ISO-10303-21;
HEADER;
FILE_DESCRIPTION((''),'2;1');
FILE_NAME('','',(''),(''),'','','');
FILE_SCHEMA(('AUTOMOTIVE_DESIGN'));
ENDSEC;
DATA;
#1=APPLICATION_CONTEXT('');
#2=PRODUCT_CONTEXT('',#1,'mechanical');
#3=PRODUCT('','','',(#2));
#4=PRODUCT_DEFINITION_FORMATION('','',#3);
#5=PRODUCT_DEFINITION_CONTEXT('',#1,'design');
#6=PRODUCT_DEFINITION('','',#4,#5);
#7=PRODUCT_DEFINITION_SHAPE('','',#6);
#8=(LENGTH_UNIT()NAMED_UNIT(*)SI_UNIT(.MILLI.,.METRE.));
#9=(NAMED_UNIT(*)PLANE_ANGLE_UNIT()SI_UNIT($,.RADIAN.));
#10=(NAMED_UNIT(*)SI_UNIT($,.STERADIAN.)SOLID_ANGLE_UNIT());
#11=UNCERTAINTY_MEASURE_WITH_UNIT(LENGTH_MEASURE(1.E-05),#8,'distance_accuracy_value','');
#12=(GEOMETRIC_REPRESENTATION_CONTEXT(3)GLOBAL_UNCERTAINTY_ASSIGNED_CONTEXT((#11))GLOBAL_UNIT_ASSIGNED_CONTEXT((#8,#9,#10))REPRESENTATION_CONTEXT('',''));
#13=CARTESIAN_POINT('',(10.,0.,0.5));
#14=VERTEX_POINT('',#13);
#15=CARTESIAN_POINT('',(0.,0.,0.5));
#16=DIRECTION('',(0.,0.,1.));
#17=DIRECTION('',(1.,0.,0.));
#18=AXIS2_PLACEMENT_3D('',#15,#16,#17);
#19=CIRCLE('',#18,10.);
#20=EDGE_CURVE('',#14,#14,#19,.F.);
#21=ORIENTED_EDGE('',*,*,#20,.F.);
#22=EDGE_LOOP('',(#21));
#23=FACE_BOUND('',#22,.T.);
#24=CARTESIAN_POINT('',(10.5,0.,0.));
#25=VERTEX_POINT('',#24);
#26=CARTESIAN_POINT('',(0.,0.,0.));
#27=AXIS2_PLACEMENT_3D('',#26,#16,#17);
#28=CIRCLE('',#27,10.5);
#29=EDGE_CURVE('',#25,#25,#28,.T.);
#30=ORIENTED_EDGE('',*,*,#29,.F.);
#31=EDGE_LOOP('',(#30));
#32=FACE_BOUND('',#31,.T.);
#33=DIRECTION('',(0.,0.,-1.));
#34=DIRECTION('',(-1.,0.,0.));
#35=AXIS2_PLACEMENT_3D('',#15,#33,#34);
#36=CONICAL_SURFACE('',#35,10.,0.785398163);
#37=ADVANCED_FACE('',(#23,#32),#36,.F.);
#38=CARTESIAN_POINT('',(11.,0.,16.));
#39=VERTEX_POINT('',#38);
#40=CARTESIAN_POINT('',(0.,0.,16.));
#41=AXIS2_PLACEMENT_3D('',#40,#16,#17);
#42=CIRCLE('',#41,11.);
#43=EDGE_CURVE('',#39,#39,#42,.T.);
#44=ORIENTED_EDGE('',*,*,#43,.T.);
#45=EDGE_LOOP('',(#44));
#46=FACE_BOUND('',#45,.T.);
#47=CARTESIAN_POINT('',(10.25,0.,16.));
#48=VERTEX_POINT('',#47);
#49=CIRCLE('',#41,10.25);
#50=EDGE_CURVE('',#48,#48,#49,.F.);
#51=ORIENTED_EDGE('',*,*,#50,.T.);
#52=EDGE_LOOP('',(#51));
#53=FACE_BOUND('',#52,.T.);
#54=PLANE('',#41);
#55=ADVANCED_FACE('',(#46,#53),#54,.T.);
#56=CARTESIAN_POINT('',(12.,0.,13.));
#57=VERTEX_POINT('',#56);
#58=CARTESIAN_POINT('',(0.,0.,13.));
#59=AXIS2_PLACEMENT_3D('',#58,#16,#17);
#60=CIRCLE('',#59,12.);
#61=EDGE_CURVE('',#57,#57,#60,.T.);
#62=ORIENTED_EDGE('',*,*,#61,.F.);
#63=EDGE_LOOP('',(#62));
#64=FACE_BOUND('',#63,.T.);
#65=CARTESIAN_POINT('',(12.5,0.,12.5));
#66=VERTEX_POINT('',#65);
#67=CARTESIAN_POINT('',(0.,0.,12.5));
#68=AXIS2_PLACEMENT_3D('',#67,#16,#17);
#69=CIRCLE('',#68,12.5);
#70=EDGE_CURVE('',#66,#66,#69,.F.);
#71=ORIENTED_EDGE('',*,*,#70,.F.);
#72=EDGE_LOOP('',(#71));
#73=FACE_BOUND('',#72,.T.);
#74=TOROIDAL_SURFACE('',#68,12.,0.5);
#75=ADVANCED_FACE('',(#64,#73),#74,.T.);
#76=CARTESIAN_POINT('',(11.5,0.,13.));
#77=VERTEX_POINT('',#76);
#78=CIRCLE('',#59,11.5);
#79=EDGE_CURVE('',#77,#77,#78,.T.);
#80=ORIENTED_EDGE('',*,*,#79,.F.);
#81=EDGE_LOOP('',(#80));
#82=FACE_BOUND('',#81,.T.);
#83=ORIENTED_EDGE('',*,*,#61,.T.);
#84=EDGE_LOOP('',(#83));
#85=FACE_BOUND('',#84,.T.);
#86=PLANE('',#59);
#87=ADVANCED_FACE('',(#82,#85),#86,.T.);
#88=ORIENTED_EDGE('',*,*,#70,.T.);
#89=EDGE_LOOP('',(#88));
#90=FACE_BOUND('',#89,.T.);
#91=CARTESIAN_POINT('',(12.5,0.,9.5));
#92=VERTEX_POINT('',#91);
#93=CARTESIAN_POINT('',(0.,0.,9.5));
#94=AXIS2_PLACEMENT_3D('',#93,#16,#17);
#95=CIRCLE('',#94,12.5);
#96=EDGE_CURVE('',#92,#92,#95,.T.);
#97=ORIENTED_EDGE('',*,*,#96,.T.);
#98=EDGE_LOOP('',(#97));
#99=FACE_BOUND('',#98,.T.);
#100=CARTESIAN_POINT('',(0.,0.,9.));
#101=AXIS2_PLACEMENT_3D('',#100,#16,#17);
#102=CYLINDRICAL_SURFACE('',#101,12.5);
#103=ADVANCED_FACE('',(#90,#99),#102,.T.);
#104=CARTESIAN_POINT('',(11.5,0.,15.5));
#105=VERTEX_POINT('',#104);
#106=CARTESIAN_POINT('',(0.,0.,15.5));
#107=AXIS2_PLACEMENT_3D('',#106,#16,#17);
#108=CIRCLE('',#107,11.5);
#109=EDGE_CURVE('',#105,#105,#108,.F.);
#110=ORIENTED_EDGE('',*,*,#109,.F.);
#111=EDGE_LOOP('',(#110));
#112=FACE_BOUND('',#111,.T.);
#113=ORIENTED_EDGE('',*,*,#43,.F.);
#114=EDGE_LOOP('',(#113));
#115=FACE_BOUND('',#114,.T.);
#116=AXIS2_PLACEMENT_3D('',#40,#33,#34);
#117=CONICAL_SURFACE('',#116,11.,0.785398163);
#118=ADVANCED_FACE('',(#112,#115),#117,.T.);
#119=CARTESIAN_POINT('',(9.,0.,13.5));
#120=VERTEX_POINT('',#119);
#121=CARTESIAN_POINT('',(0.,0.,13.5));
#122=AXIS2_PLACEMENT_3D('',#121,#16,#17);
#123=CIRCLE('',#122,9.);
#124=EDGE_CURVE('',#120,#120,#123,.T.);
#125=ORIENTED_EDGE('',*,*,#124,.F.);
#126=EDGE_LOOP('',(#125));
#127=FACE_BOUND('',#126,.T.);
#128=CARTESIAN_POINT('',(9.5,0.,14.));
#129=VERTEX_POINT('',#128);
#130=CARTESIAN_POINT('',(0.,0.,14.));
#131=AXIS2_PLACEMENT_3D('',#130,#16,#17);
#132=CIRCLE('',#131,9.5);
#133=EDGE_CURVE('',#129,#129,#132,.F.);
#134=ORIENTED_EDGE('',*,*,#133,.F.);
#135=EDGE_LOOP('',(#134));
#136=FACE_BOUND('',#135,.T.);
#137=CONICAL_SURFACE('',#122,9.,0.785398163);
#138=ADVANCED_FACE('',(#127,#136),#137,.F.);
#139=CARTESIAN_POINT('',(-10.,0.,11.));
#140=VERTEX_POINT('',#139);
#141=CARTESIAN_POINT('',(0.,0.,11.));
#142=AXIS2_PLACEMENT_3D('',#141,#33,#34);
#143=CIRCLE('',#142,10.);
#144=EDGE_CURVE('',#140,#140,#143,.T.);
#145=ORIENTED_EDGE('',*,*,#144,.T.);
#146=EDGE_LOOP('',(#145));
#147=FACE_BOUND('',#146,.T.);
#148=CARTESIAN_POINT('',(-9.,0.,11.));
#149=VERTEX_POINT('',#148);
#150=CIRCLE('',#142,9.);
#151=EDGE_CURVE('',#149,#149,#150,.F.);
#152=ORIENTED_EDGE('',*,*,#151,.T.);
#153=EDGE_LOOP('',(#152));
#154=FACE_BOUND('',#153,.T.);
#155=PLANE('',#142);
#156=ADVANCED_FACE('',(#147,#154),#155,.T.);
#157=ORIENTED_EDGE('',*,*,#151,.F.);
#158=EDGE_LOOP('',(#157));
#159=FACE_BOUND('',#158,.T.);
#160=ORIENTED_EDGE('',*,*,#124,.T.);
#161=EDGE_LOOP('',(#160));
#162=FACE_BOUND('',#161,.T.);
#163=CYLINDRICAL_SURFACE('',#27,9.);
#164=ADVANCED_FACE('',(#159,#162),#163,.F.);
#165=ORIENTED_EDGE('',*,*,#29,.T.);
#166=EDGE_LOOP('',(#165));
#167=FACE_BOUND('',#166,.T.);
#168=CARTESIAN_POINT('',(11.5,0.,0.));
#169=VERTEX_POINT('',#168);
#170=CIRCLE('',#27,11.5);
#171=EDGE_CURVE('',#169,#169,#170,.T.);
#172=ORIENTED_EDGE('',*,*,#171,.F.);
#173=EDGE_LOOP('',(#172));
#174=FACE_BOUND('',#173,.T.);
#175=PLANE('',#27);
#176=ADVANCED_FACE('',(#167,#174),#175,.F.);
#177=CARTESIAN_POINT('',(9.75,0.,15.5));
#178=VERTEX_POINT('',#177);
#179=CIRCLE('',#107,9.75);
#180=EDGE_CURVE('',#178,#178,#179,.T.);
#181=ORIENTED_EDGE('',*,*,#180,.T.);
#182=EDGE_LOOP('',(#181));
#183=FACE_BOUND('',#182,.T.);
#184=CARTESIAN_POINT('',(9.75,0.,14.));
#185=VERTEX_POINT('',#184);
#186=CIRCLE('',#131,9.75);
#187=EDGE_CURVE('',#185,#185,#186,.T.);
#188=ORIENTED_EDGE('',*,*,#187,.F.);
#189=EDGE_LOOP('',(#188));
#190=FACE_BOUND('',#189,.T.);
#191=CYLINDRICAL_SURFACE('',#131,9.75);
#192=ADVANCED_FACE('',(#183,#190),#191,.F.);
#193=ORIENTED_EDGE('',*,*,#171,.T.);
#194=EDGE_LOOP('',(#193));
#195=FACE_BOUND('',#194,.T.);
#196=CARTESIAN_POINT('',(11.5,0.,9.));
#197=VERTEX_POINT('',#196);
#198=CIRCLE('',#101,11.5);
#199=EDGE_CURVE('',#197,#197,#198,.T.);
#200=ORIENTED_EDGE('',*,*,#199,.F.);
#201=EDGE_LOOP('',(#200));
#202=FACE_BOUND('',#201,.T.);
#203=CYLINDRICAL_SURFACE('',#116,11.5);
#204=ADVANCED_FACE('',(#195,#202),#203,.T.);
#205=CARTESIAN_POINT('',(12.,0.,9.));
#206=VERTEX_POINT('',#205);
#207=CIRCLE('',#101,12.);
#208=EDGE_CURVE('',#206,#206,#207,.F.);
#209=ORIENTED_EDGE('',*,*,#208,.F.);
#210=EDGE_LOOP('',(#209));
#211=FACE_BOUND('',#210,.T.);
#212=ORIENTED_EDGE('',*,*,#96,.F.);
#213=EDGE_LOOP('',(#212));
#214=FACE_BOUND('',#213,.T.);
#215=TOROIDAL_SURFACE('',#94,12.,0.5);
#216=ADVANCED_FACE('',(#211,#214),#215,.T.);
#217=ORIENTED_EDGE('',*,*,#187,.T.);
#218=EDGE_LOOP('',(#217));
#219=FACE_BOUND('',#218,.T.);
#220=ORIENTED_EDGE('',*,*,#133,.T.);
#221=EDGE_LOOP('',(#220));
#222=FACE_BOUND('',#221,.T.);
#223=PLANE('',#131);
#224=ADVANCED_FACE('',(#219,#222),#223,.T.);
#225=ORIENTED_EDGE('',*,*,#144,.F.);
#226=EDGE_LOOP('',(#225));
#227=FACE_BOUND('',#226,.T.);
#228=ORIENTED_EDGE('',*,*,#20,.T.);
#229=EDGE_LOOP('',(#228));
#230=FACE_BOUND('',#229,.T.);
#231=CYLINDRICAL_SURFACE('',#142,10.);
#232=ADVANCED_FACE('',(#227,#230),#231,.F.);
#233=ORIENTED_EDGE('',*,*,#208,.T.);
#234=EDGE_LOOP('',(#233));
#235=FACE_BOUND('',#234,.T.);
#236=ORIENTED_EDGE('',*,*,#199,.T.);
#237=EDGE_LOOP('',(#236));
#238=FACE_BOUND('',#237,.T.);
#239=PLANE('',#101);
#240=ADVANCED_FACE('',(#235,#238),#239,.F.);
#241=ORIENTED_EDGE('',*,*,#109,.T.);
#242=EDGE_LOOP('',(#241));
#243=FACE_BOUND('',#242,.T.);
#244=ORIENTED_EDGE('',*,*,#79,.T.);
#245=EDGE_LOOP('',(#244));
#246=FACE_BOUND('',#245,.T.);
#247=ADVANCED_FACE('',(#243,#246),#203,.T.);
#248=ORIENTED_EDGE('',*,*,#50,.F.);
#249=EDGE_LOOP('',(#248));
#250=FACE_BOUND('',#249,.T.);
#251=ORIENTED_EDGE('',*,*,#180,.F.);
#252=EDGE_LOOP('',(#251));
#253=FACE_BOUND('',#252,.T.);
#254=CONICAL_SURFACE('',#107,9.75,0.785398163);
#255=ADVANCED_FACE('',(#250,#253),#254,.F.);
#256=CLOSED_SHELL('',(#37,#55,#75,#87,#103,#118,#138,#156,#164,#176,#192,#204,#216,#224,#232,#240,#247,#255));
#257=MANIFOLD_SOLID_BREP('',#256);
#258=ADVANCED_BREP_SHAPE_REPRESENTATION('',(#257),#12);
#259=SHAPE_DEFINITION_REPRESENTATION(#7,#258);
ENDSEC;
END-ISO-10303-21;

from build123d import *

# Parameters (mm, degrees)
SKETCH_1_R          = 11.5
EXTRUDE_1_DEPTH     = 16
EXTRUDE_START       = -3
SKETCH_2_R          = 12.5
EXTRUDE_2_DEPTH     = 4
SKETCH_3_R          = 9.75
CUT_EXTRUDE_1_DEPTH = 2
SKETCH_4_R          = 9
CUT_EXTRUDE_2_DEPTH = 23.549944568
SKETCH_5_R          = 10
CUT_EXTRUDE_3_DEPTH = 11
CHAMFER_1_SIZE      = 0.5
FILLET_1_R          = 0.5


with BuildPart() as part:
    # 草图1 → 凸台-拉伸1 (new body)
    with BuildSketch(Plane.XY):
        Circle(SKETCH_1_R)
    extrude(amount=EXTRUDE_1_DEPTH)

    # 草图2 → 凸台-拉伸2 (add)
    with BuildSketch(Plane.XY.offset(16).offset(EXTRUDE_START)):
        Circle(SKETCH_2_R)
    extrude(amount=-EXTRUDE_2_DEPTH)

    # 草图3 → 切除-拉伸1 (cut)
    with BuildSketch(Plane.XY.offset(16)):
        Circle(SKETCH_3_R)
    extrude(amount=-CUT_EXTRUDE_1_DEPTH, mode=Mode.SUBTRACT)

    # 草图4 → 切除-拉伸2 (cut, through all)
    with BuildSketch(Plane.XY.offset(14)):
        Circle(SKETCH_4_R)
    extrude(amount=-CUT_EXTRUDE_2_DEPTH, mode=Mode.SUBTRACT)

    # 草图5 → 切除-拉伸3 (cut)
    with BuildSketch(Plane(origin=(0, 0, 0), x_dir=(-1, 0, 0), z_dir=(0, 0, -1))):
        Circle(SKETCH_5_R)
    extrude(amount=-CUT_EXTRUDE_3_DEPTH, mode=Mode.SUBTRACT)

    # 倒角1
    chamfer_1_edges = [part.edges().sort_by_distance(p)[0] for p in [
        (-9.75, 0, 16),
        (-9, 0, 14),
        (10, 0, 0),
        (-11.5, 0, 16),
    ]]
    chamfer(chamfer_1_edges, length=CHAMFER_1_SIZE)

    # 圆角1
    fillet_1_edges = [part.edges().sort_by_distance(p)[0] for p in [
        (-12.5, 0, 9),
        (-12.5, 0, 13),
    ]]
    fillet(fillet_1_edges, radius=FILLET_1_R)


solid = part.part
